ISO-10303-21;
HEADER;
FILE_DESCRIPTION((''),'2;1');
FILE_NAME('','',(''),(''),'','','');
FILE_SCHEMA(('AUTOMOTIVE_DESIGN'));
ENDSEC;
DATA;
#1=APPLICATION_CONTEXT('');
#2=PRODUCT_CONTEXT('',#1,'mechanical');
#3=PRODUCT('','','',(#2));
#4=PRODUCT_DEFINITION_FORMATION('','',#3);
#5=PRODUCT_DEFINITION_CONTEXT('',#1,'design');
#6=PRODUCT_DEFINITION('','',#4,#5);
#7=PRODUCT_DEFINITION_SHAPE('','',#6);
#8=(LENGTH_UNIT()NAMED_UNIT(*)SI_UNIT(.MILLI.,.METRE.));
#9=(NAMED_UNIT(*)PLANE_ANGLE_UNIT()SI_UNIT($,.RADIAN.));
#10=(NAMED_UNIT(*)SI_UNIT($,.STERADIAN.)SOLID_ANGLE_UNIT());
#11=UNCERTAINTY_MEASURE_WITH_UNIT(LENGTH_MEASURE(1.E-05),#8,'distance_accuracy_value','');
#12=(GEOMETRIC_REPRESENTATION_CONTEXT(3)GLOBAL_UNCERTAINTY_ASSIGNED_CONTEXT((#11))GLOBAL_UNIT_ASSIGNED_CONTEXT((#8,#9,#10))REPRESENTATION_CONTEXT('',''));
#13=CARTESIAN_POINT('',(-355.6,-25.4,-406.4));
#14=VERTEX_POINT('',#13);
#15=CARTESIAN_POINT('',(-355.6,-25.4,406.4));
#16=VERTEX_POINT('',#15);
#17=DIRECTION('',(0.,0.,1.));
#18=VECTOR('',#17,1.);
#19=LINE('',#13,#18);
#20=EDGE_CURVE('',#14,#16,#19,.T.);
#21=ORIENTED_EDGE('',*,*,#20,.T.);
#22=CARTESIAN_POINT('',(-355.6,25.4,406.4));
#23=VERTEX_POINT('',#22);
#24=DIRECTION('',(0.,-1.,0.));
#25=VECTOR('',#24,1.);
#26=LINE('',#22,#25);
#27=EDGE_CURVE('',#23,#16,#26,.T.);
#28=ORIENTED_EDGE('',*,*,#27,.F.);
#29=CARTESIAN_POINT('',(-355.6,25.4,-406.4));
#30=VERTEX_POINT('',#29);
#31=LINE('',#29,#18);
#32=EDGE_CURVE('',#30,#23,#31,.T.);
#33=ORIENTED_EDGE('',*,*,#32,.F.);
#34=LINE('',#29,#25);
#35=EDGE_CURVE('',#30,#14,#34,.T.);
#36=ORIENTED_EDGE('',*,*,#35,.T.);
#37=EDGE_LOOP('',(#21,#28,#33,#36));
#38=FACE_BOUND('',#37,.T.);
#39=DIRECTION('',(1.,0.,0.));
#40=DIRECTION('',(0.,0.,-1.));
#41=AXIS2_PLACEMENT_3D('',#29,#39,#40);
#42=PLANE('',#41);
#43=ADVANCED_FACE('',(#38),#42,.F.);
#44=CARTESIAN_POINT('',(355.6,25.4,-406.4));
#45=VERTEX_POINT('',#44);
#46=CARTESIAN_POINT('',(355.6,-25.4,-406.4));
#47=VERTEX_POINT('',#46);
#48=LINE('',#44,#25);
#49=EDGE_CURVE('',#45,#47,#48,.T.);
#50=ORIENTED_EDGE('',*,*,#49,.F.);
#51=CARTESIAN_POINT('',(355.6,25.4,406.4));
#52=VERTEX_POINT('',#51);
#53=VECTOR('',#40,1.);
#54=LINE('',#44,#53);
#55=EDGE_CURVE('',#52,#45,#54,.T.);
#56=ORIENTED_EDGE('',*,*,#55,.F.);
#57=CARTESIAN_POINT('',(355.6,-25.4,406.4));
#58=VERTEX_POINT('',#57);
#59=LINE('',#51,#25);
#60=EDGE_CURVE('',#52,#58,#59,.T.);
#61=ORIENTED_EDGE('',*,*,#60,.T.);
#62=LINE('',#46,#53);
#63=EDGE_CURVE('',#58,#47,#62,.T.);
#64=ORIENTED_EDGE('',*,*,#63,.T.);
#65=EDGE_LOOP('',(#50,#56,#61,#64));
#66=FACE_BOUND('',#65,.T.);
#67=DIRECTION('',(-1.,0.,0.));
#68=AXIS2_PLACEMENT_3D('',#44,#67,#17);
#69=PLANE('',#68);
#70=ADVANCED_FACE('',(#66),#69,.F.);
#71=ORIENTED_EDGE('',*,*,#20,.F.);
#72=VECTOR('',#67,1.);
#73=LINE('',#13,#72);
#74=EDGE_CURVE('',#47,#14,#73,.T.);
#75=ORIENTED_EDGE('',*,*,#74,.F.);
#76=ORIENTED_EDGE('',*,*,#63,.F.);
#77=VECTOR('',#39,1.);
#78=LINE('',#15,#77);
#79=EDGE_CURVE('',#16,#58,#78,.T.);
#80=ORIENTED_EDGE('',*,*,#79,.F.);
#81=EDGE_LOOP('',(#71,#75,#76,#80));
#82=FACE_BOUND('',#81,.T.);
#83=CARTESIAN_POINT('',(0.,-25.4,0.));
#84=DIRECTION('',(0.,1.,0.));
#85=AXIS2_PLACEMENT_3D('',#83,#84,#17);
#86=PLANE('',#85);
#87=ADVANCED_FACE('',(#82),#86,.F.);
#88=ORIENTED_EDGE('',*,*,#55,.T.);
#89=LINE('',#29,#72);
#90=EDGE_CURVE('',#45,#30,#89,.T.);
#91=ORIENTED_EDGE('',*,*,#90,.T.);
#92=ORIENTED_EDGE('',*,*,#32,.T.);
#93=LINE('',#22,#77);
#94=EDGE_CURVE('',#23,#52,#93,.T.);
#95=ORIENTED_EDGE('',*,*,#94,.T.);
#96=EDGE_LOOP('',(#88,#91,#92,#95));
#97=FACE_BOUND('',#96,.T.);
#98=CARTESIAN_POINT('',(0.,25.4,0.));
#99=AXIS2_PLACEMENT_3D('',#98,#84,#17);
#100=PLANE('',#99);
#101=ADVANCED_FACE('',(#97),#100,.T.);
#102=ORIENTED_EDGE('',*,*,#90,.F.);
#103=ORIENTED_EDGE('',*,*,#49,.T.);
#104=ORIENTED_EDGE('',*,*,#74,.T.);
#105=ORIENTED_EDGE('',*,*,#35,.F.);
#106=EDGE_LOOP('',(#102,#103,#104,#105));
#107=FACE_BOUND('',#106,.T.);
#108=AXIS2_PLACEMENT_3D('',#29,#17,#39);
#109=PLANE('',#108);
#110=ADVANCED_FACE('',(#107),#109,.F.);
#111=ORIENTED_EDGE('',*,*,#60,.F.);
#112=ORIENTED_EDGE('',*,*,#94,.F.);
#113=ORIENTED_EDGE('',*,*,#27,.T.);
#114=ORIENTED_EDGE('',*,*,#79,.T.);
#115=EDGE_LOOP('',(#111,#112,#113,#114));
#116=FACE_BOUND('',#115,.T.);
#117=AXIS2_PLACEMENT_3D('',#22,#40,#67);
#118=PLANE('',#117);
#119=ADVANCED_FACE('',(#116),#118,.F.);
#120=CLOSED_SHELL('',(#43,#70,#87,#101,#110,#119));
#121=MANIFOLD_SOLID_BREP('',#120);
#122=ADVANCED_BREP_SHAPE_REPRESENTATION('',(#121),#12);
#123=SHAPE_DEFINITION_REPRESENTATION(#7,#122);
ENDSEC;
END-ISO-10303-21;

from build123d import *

# Parameters (mm, degrees)
SKETCH1_W           = 711.2
SKETCH1_H           = 812.8
BOSS_EXTRUDE1_DEPTH = 25.4


with BuildPart() as part:
    # Sketch1 → Boss-Extrude1 (new body, symmetric)
    with BuildSketch(Plane(origin=(0, 0, 0), x_dir=(1, 0, 0), z_dir=(0, 1, 0))):
        Rectangle(SKETCH1_W, SKETCH1_H)
    extrude(amount=BOSS_EXTRUDE1_DEPTH, both=True)


solid = part.part
